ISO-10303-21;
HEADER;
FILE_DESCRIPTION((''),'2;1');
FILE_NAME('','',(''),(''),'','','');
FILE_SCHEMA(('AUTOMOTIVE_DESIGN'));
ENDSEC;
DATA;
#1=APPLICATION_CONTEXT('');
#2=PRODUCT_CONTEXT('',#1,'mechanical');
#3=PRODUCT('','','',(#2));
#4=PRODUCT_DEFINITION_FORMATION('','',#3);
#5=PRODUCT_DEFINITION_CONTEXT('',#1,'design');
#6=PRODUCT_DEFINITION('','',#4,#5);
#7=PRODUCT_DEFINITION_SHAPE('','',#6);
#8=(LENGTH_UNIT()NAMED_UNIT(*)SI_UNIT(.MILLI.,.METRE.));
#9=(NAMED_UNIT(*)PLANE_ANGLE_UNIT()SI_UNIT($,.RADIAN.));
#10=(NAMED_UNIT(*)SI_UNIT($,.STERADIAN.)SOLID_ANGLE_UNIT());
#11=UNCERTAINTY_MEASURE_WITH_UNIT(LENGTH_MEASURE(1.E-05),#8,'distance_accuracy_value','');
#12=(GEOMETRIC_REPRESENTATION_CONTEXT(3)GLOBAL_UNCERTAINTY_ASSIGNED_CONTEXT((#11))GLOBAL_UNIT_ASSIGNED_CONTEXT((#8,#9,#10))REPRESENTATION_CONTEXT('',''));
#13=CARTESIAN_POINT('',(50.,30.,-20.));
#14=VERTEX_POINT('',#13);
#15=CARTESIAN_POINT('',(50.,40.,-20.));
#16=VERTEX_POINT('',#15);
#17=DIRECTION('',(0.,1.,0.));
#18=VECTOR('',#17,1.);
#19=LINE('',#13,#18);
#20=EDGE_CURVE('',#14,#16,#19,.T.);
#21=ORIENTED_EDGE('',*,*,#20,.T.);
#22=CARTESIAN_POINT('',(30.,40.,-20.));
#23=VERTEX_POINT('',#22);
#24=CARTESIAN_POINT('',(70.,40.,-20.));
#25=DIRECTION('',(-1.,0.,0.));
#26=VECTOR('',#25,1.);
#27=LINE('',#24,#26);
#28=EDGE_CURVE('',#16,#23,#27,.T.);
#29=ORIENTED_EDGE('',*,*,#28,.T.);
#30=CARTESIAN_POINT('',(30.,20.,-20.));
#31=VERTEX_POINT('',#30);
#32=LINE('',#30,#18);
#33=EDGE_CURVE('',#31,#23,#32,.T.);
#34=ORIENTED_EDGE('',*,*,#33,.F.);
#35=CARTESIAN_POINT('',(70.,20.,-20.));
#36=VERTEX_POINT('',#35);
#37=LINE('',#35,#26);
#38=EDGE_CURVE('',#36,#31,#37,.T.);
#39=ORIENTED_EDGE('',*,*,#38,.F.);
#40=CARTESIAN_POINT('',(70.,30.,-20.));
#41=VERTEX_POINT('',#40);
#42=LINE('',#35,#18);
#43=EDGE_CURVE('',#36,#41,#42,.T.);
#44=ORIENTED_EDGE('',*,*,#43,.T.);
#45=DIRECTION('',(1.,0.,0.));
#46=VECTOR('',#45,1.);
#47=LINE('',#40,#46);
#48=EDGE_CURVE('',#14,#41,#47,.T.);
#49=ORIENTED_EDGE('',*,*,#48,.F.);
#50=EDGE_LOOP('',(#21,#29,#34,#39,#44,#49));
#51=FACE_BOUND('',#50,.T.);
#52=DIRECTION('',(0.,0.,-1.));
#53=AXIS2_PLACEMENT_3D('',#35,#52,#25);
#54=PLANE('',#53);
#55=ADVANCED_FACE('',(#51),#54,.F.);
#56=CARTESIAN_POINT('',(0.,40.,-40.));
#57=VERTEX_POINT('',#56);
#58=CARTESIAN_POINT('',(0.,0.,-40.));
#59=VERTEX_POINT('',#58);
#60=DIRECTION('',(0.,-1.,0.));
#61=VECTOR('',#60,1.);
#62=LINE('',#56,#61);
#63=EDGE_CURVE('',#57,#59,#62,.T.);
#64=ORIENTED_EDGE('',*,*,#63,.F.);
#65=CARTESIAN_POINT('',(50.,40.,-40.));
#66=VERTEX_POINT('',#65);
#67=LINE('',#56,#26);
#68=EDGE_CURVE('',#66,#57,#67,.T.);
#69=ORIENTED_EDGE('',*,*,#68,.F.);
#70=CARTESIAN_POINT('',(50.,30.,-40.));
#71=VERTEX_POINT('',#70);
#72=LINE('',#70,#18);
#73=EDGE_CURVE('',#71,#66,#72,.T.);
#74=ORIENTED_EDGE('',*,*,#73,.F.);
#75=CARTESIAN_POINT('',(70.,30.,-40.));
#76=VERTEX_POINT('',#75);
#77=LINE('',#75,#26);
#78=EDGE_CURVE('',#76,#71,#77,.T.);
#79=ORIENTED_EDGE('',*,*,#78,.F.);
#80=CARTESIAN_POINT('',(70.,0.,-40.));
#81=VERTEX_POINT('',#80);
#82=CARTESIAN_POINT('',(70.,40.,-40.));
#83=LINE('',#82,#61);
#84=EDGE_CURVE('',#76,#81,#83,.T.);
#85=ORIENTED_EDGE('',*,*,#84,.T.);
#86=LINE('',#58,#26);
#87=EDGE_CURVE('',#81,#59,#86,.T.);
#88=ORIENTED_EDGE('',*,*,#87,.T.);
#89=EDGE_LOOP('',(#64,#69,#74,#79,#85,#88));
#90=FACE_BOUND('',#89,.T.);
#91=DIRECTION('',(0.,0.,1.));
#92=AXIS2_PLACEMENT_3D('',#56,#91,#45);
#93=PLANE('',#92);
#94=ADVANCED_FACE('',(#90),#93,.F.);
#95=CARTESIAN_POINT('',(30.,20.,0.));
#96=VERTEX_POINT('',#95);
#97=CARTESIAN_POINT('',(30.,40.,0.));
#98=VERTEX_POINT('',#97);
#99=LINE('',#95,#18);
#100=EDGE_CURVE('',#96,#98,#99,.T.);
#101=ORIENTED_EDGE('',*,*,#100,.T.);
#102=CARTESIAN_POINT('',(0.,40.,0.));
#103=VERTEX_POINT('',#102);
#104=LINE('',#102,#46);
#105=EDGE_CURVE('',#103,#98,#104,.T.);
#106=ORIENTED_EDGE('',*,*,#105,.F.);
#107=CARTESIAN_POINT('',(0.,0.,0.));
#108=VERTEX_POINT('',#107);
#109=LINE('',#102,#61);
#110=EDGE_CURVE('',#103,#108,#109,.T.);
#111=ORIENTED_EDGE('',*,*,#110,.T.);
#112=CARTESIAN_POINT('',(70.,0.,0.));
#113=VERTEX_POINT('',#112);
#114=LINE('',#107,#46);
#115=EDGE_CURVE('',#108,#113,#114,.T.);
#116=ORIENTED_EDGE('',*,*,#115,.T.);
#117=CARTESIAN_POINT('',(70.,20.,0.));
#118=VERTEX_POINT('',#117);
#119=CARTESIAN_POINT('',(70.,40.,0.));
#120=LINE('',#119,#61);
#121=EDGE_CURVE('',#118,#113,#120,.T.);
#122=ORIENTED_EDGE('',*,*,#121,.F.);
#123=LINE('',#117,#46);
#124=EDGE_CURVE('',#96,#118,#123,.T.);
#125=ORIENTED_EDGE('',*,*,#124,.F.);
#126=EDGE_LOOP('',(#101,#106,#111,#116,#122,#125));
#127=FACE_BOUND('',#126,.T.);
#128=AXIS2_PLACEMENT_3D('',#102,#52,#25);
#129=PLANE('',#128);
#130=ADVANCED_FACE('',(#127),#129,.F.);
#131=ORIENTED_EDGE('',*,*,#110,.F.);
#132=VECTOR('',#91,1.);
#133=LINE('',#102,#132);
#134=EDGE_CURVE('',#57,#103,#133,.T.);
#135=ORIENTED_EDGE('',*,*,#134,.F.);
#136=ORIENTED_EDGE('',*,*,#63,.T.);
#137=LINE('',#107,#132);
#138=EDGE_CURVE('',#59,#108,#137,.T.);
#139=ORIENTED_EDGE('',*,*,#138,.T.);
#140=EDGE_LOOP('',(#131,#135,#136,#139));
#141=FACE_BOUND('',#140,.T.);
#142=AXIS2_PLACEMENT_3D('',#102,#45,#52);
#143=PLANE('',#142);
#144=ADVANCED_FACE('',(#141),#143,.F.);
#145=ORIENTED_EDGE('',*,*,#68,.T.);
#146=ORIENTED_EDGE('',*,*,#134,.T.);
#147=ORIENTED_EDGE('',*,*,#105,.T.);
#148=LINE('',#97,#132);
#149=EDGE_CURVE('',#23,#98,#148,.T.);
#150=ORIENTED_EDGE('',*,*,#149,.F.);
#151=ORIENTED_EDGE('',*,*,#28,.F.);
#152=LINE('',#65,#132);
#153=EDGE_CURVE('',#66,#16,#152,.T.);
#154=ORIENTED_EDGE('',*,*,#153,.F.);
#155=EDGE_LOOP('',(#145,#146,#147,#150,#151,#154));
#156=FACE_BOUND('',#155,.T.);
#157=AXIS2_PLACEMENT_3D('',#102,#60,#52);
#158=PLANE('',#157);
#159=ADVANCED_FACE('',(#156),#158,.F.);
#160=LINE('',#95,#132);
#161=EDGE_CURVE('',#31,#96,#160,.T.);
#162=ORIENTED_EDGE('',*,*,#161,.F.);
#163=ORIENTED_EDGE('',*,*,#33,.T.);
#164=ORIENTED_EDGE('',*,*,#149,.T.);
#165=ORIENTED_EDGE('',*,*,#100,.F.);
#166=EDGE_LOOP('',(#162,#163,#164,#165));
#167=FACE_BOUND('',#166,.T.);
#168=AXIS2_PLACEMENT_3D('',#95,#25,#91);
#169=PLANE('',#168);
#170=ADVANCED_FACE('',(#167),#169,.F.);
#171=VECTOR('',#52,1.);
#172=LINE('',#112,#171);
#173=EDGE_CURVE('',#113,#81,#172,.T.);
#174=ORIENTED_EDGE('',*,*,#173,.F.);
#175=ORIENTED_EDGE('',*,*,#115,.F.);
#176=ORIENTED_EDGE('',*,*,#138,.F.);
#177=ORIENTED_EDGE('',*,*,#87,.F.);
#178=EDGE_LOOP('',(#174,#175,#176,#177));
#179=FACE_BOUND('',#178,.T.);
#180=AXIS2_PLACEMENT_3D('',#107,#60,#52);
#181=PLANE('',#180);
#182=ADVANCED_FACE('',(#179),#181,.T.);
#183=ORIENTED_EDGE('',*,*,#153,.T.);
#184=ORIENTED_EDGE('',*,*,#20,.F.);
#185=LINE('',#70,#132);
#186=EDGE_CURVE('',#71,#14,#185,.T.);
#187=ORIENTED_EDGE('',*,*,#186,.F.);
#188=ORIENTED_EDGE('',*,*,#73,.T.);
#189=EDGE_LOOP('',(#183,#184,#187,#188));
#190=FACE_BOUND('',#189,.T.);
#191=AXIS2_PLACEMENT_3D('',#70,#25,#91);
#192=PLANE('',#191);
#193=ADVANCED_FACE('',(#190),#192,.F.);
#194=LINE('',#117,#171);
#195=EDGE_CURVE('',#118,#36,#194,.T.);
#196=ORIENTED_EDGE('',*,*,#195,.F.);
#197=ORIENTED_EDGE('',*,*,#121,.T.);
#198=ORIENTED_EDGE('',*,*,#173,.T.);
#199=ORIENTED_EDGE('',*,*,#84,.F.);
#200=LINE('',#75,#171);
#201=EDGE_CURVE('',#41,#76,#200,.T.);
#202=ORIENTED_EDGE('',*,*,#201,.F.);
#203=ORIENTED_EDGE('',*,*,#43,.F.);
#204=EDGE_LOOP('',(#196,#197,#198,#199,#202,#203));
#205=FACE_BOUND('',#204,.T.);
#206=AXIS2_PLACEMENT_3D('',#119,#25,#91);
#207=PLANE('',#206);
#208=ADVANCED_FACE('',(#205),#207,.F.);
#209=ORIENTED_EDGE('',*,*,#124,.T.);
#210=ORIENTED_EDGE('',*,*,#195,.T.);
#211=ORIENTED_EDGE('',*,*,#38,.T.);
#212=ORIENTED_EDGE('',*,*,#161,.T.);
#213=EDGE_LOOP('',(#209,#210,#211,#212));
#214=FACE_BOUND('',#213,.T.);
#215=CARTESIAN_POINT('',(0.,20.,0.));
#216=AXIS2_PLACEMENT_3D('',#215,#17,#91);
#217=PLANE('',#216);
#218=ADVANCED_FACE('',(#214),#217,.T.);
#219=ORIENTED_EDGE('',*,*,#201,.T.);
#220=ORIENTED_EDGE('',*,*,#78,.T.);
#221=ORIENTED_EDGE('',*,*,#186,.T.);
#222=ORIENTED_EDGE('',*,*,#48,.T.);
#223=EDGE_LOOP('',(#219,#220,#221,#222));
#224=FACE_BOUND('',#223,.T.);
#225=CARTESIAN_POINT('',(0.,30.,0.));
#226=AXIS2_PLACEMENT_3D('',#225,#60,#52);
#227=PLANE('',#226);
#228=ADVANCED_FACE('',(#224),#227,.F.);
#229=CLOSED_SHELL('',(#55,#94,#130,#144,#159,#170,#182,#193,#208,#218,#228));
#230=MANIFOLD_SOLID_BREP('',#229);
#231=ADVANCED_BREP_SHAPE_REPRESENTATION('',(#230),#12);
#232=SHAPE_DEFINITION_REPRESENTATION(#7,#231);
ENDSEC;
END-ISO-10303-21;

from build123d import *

# Parameters (mm, degrees)
SKETCH_1_W          = 70
SKETCH_1_H          = 40
EXTRUDE_1_DEPTH     = 40
SKETCH_2_W          = 20
SKETCH_2_H          = 20
CUT_EXTRUDE_1_DEPTH = 10
SKETCH_3_W          = 40
SKETCH_3_H          = 20
CUT_EXTRUDE_2_DEPTH = 20


with BuildPart() as part:
    # 스케치1 → 보스-돌출1 (new body)
    with BuildSketch(Plane(origin=(0, 0, 0), x_dir=(1, 0, 0), z_dir=(0, 1, 0))):
        with Locations((35, 20)):
            Rectangle(SKETCH_1_W, SKETCH_1_H)
    extrude(amount=EXTRUDE_1_DEPTH)

    # 스케치2 → 컷-돌출1 (cut)
    with BuildSketch(Plane(origin=(0, 40, 0), x_dir=(1, 0, 0), z_dir=(0, 1, 0))):
        with Locations((60, 30)):
            Rectangle(SKETCH_2_W, SKETCH_2_H)
    extrude(amount=-CUT_EXTRUDE_1_DEPTH, mode=Mode.SUBTRACT)

    # 스케치3 → 컷-돌출2 (cut)
    with BuildSketch(Plane(origin=(0, 40, 0), x_dir=(1, 0, 0), z_dir=(0, 1, 0))):
        with Locations((50, 10)):
            Rectangle(SKETCH_3_W, SKETCH_3_H)
    extrude(amount=-CUT_EXTRUDE_2_DEPTH, mode=Mode.SUBTRACT)


solid = part.part
